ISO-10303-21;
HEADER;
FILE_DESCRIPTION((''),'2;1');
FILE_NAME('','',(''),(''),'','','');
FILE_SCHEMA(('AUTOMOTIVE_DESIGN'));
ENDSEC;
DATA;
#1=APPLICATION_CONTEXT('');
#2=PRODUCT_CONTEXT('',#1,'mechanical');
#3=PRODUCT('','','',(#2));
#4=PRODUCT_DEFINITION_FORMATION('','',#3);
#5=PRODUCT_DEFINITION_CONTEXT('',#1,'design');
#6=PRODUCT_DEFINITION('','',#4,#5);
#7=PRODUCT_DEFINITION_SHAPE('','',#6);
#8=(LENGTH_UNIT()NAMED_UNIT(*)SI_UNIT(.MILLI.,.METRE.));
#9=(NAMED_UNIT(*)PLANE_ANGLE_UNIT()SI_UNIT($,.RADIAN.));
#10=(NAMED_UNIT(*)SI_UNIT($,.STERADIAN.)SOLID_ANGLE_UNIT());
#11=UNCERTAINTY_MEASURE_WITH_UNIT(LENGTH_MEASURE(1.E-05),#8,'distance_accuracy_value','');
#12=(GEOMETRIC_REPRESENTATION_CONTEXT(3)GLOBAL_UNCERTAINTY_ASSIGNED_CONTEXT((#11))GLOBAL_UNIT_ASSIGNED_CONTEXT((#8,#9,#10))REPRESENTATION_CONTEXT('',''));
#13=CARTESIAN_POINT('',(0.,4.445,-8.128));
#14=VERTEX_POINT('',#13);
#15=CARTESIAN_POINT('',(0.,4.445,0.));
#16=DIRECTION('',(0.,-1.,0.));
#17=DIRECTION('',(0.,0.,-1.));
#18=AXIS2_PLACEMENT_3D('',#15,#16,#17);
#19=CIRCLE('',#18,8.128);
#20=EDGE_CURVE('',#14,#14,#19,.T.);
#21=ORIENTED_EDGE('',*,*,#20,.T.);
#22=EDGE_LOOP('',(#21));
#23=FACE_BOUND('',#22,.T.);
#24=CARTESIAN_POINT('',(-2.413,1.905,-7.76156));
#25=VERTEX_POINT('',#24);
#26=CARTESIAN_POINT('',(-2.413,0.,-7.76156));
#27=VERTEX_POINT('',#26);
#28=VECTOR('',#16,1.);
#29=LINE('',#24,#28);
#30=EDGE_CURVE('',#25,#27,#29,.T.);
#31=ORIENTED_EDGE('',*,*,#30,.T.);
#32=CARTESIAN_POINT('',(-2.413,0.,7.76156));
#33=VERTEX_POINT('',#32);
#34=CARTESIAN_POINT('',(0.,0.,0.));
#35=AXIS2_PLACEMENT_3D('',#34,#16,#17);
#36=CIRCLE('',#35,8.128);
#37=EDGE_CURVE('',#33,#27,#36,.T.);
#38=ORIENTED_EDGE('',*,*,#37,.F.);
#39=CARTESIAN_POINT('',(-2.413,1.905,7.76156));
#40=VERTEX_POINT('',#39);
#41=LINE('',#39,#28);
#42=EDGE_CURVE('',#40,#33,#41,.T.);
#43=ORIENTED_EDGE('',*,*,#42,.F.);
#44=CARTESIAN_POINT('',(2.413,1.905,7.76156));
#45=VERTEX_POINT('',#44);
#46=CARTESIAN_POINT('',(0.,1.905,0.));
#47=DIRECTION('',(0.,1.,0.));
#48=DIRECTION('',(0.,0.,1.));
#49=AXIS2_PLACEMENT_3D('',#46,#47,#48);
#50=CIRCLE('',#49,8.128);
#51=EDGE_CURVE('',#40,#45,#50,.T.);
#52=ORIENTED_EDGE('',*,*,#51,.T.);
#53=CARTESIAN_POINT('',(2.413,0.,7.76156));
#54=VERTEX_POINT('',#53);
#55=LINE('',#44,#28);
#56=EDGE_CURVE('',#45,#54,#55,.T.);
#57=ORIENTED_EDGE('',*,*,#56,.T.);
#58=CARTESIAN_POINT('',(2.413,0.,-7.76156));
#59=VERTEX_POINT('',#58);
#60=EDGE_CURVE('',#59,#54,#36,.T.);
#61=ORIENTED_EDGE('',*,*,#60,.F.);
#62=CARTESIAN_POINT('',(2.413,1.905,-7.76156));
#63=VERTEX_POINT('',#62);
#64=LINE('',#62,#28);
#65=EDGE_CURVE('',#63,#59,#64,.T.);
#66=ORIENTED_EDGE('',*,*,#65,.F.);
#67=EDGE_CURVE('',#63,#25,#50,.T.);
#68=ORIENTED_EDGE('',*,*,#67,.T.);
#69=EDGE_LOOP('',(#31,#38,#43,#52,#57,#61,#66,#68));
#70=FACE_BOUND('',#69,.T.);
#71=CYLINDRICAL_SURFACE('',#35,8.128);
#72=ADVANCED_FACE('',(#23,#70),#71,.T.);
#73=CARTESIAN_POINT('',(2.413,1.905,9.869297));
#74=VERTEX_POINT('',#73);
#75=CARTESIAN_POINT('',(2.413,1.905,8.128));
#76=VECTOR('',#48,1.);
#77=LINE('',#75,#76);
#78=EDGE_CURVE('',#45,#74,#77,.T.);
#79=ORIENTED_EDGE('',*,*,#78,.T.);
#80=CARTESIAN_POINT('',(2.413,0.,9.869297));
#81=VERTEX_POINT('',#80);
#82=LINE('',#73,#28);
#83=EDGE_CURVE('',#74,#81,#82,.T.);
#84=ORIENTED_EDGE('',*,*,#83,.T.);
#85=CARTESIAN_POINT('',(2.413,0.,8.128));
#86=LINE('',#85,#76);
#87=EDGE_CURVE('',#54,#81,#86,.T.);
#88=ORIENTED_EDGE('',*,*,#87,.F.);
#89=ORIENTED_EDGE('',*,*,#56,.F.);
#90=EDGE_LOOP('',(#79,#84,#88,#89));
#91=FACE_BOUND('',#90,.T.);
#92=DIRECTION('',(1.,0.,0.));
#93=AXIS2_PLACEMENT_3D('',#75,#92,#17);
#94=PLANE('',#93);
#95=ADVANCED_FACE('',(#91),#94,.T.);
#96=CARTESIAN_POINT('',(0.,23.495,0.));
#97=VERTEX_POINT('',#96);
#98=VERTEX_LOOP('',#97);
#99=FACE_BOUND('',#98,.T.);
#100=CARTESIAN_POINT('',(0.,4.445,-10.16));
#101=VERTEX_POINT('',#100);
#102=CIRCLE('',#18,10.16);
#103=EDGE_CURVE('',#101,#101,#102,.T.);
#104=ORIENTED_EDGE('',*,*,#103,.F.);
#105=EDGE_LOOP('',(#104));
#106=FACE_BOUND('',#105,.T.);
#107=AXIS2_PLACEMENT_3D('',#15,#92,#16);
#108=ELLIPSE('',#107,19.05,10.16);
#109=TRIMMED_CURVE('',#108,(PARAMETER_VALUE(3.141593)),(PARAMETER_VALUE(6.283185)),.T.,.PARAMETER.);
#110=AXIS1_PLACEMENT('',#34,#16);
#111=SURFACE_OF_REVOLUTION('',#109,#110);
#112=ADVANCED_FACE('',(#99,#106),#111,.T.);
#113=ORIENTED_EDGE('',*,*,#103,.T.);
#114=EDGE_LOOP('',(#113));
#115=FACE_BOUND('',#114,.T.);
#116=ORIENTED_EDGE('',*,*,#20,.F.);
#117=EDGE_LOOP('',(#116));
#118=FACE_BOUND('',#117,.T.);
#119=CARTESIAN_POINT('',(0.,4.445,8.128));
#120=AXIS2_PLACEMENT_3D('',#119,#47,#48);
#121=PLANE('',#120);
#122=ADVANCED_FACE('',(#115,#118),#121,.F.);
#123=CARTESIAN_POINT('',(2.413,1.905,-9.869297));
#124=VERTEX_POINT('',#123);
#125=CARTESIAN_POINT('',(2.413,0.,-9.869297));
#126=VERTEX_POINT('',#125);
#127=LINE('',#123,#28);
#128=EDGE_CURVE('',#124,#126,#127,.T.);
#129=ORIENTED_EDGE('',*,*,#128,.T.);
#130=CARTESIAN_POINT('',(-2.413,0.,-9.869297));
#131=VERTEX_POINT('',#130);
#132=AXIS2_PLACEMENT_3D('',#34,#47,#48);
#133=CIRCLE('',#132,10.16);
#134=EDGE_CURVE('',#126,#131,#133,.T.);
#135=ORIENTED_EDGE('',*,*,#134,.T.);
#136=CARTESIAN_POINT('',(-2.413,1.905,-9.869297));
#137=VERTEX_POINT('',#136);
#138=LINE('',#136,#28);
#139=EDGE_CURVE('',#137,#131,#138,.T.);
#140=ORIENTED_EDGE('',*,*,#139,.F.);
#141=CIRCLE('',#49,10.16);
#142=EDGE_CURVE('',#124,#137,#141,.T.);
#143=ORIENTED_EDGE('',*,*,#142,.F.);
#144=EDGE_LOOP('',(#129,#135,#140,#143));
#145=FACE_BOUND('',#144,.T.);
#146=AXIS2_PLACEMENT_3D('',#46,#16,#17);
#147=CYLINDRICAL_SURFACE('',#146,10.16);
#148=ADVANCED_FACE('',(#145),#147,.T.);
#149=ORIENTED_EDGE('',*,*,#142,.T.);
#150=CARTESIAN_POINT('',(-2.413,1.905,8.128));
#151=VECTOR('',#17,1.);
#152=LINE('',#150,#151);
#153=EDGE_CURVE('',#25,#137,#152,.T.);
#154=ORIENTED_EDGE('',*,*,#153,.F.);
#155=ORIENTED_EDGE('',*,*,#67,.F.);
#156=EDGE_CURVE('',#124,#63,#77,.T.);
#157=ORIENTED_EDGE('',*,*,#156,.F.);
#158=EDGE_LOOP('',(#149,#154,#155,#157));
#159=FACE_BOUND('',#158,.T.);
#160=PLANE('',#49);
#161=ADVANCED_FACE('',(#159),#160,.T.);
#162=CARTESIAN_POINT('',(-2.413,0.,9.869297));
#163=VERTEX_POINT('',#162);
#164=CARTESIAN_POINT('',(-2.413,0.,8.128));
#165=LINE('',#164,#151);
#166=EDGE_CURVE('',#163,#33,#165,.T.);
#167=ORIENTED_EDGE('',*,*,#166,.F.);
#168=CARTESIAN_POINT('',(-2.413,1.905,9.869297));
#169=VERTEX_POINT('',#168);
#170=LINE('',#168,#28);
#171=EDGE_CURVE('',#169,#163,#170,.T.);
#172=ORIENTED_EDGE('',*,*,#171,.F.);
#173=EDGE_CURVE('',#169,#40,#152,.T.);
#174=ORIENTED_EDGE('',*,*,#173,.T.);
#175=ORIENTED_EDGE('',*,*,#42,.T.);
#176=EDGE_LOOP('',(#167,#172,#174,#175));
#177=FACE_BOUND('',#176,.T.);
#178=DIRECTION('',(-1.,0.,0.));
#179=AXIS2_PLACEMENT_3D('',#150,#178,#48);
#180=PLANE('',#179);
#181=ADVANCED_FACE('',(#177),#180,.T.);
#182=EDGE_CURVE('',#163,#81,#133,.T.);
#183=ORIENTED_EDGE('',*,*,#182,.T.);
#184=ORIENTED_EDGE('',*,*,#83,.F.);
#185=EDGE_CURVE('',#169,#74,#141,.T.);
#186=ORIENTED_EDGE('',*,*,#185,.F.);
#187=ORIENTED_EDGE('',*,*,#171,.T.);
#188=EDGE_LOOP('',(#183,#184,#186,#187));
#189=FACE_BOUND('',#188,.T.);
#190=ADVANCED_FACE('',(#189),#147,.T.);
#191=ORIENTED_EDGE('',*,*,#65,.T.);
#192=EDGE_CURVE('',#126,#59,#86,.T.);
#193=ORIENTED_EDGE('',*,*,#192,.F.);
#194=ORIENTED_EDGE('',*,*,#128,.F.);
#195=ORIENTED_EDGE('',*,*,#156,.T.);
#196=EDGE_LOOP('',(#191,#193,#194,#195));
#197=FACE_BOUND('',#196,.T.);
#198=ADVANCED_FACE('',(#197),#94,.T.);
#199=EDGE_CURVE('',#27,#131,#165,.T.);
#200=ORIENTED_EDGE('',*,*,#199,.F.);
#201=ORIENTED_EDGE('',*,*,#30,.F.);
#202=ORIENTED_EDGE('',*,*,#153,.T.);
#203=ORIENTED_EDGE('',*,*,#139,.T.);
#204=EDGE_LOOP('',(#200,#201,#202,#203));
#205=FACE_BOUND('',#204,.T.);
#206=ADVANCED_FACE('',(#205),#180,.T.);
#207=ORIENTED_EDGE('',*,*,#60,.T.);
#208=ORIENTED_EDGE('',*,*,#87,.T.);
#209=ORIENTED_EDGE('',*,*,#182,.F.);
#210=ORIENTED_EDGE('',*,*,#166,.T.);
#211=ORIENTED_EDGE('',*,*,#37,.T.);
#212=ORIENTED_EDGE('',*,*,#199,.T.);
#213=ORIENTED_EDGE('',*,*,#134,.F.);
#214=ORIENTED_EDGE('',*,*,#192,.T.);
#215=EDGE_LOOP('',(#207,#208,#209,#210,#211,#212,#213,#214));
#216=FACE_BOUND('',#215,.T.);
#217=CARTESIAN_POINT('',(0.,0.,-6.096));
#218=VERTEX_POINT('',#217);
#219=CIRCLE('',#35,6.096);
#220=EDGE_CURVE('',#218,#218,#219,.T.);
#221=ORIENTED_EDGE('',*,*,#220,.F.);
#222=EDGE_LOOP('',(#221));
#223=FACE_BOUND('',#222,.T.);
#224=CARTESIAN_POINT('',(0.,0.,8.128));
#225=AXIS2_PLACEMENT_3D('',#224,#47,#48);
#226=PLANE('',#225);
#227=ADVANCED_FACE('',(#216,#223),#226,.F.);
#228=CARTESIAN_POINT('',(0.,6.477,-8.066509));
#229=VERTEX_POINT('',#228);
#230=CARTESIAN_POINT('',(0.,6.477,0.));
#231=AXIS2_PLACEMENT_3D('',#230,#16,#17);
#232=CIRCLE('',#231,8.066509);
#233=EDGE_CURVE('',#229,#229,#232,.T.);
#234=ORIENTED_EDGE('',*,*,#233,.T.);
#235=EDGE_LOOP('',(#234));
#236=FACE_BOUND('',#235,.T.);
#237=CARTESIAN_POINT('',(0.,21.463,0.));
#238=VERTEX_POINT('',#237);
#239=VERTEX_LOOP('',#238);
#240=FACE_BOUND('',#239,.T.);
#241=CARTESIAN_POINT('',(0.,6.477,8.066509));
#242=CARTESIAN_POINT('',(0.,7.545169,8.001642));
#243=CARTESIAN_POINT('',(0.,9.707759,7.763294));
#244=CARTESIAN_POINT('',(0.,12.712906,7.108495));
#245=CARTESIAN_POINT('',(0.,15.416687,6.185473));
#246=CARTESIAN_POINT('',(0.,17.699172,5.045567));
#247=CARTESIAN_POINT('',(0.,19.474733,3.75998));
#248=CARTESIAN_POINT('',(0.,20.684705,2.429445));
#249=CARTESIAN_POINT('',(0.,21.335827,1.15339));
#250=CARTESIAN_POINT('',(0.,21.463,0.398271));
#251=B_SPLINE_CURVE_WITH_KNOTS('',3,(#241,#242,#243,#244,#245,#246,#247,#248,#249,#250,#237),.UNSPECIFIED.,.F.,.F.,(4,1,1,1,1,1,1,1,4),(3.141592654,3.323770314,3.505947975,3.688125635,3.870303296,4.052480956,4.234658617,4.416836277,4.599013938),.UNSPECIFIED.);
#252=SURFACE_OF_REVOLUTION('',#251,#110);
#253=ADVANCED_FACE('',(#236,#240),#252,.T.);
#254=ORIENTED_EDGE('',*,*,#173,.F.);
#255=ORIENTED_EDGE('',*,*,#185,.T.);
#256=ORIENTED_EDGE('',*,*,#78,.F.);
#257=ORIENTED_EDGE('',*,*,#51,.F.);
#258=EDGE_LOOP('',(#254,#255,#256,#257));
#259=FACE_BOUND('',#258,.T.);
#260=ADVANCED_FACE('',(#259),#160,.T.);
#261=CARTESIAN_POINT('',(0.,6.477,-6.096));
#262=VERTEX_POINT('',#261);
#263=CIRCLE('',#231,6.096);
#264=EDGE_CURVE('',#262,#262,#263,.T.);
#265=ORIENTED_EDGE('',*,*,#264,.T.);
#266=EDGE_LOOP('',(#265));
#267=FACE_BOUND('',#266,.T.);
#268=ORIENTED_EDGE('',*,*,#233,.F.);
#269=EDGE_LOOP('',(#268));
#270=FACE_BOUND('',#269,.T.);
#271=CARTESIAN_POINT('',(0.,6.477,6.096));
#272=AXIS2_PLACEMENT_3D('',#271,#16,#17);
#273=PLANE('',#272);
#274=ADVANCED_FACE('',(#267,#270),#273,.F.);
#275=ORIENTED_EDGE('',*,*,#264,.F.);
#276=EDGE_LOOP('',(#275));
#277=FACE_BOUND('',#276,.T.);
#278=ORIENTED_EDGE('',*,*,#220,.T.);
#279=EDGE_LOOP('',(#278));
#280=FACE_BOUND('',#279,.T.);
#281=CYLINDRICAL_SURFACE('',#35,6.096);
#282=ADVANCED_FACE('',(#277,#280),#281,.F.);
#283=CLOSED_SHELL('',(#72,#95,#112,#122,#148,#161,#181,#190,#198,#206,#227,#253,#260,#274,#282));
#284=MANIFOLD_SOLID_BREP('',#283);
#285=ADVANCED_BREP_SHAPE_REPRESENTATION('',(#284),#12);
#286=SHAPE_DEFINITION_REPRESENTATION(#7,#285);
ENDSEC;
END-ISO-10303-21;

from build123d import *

# Parameters (mm, degrees)
BOSS_EXTRUDE1_START = 2.54
BOSS_EXTRUDE1_DEPTH = 1.905


with BuildPart() as part:
    # Sketch1 → Revolve1 (revolve)
    with BuildSketch(Plane(origin=(0, 0, 0), x_dir=(0, 0, -1), z_dir=(1, 0, 0)), mode=Mode.PRIVATE) as revolve1_sk:
        with BuildLine():
            Line((-8.128, 0), (-8.128, 4.445))
            Line((-8.128, 4.445), (-10.16, 4.445))
            add(Edge.make_bspline(
                [(0, 23.495), (-10.16, 23.495), (-10.16, 4.445)],
                knots=[3.141592654, 3.141592654, 3.141592654, 4.71238898, 4.71238898, 4.71238898], degree=2, weights=[1, 0.707106781, 1]))
            Line((0, 23.495), (0, 21.463))
            add(Edge.make_bspline(
                [(0, 21.463), (-0.398270959, 21.463), (-1.153389942, 21.335826731), (-2.429445225, 20.684705062), (-3.759980482, 19.474733116), (-5.045566653, 17.699172098), (-6.18547282, 15.416687429), (-7.108495403, 12.712906185), (-7.763293706, 9.707759052), (-8.001641772, 7.545168518), (-8.066508555, 6.477)],
                knots=[3.141592654, 3.141592654, 3.141592654, 3.141592654, 3.323770314, 3.505947975, 3.688125635, 3.870303296, 4.052480956, 4.234658617, 4.416836277, 4.599013938, 4.599013938, 4.599013938, 4.599013938], degree=3))
            Line((-8.066508555, 6.477), (-6.096, 6.477))
            Line((-6.096, 6.477), (-6.096, 0))
            Line((-6.096, 0), (-8.128, 0))
        make_face()
    revolve(revolve1_sk.sketch.rotate(Axis((0, 0, 0), (0, 1, 0)), 180), axis=Axis((0, 0, 0), (0, 1, 0)))

    # Sketch2 → Boss-Extrude1 (add)
    with BuildSketch(Plane.XZ.offset(-4.445).offset(BOSS_EXTRUDE1_START)):
        with BuildLine():
            Line((-2.413, 9.869297391), (-2.413, 7.761560088))
            ThreePointArc((-2.413, 7.761560088), (0, 8.128), (2.413, 7.761560088))
            Line((2.413, 7.761560088), (2.413, 9.869297391))
            ThreePointArc((2.413, 9.869297391), (0, 10.16), (-2.413, 9.869297391))
        make_face()
        with BuildLine():
            Line((2.413, -9.869297391), (2.413, -7.761560088))
            ThreePointArc((2.413, -7.761560088), (0, -8.128), (-2.413, -7.761560088))
            Line((-2.413, -7.761560088), (-2.413, -9.869297391))
            ThreePointArc((-2.413, -9.869297391), (0, -10.16), (2.413, -9.869297391))
        make_face()
    extrude(amount=BOSS_EXTRUDE1_DEPTH)


solid = part.part
